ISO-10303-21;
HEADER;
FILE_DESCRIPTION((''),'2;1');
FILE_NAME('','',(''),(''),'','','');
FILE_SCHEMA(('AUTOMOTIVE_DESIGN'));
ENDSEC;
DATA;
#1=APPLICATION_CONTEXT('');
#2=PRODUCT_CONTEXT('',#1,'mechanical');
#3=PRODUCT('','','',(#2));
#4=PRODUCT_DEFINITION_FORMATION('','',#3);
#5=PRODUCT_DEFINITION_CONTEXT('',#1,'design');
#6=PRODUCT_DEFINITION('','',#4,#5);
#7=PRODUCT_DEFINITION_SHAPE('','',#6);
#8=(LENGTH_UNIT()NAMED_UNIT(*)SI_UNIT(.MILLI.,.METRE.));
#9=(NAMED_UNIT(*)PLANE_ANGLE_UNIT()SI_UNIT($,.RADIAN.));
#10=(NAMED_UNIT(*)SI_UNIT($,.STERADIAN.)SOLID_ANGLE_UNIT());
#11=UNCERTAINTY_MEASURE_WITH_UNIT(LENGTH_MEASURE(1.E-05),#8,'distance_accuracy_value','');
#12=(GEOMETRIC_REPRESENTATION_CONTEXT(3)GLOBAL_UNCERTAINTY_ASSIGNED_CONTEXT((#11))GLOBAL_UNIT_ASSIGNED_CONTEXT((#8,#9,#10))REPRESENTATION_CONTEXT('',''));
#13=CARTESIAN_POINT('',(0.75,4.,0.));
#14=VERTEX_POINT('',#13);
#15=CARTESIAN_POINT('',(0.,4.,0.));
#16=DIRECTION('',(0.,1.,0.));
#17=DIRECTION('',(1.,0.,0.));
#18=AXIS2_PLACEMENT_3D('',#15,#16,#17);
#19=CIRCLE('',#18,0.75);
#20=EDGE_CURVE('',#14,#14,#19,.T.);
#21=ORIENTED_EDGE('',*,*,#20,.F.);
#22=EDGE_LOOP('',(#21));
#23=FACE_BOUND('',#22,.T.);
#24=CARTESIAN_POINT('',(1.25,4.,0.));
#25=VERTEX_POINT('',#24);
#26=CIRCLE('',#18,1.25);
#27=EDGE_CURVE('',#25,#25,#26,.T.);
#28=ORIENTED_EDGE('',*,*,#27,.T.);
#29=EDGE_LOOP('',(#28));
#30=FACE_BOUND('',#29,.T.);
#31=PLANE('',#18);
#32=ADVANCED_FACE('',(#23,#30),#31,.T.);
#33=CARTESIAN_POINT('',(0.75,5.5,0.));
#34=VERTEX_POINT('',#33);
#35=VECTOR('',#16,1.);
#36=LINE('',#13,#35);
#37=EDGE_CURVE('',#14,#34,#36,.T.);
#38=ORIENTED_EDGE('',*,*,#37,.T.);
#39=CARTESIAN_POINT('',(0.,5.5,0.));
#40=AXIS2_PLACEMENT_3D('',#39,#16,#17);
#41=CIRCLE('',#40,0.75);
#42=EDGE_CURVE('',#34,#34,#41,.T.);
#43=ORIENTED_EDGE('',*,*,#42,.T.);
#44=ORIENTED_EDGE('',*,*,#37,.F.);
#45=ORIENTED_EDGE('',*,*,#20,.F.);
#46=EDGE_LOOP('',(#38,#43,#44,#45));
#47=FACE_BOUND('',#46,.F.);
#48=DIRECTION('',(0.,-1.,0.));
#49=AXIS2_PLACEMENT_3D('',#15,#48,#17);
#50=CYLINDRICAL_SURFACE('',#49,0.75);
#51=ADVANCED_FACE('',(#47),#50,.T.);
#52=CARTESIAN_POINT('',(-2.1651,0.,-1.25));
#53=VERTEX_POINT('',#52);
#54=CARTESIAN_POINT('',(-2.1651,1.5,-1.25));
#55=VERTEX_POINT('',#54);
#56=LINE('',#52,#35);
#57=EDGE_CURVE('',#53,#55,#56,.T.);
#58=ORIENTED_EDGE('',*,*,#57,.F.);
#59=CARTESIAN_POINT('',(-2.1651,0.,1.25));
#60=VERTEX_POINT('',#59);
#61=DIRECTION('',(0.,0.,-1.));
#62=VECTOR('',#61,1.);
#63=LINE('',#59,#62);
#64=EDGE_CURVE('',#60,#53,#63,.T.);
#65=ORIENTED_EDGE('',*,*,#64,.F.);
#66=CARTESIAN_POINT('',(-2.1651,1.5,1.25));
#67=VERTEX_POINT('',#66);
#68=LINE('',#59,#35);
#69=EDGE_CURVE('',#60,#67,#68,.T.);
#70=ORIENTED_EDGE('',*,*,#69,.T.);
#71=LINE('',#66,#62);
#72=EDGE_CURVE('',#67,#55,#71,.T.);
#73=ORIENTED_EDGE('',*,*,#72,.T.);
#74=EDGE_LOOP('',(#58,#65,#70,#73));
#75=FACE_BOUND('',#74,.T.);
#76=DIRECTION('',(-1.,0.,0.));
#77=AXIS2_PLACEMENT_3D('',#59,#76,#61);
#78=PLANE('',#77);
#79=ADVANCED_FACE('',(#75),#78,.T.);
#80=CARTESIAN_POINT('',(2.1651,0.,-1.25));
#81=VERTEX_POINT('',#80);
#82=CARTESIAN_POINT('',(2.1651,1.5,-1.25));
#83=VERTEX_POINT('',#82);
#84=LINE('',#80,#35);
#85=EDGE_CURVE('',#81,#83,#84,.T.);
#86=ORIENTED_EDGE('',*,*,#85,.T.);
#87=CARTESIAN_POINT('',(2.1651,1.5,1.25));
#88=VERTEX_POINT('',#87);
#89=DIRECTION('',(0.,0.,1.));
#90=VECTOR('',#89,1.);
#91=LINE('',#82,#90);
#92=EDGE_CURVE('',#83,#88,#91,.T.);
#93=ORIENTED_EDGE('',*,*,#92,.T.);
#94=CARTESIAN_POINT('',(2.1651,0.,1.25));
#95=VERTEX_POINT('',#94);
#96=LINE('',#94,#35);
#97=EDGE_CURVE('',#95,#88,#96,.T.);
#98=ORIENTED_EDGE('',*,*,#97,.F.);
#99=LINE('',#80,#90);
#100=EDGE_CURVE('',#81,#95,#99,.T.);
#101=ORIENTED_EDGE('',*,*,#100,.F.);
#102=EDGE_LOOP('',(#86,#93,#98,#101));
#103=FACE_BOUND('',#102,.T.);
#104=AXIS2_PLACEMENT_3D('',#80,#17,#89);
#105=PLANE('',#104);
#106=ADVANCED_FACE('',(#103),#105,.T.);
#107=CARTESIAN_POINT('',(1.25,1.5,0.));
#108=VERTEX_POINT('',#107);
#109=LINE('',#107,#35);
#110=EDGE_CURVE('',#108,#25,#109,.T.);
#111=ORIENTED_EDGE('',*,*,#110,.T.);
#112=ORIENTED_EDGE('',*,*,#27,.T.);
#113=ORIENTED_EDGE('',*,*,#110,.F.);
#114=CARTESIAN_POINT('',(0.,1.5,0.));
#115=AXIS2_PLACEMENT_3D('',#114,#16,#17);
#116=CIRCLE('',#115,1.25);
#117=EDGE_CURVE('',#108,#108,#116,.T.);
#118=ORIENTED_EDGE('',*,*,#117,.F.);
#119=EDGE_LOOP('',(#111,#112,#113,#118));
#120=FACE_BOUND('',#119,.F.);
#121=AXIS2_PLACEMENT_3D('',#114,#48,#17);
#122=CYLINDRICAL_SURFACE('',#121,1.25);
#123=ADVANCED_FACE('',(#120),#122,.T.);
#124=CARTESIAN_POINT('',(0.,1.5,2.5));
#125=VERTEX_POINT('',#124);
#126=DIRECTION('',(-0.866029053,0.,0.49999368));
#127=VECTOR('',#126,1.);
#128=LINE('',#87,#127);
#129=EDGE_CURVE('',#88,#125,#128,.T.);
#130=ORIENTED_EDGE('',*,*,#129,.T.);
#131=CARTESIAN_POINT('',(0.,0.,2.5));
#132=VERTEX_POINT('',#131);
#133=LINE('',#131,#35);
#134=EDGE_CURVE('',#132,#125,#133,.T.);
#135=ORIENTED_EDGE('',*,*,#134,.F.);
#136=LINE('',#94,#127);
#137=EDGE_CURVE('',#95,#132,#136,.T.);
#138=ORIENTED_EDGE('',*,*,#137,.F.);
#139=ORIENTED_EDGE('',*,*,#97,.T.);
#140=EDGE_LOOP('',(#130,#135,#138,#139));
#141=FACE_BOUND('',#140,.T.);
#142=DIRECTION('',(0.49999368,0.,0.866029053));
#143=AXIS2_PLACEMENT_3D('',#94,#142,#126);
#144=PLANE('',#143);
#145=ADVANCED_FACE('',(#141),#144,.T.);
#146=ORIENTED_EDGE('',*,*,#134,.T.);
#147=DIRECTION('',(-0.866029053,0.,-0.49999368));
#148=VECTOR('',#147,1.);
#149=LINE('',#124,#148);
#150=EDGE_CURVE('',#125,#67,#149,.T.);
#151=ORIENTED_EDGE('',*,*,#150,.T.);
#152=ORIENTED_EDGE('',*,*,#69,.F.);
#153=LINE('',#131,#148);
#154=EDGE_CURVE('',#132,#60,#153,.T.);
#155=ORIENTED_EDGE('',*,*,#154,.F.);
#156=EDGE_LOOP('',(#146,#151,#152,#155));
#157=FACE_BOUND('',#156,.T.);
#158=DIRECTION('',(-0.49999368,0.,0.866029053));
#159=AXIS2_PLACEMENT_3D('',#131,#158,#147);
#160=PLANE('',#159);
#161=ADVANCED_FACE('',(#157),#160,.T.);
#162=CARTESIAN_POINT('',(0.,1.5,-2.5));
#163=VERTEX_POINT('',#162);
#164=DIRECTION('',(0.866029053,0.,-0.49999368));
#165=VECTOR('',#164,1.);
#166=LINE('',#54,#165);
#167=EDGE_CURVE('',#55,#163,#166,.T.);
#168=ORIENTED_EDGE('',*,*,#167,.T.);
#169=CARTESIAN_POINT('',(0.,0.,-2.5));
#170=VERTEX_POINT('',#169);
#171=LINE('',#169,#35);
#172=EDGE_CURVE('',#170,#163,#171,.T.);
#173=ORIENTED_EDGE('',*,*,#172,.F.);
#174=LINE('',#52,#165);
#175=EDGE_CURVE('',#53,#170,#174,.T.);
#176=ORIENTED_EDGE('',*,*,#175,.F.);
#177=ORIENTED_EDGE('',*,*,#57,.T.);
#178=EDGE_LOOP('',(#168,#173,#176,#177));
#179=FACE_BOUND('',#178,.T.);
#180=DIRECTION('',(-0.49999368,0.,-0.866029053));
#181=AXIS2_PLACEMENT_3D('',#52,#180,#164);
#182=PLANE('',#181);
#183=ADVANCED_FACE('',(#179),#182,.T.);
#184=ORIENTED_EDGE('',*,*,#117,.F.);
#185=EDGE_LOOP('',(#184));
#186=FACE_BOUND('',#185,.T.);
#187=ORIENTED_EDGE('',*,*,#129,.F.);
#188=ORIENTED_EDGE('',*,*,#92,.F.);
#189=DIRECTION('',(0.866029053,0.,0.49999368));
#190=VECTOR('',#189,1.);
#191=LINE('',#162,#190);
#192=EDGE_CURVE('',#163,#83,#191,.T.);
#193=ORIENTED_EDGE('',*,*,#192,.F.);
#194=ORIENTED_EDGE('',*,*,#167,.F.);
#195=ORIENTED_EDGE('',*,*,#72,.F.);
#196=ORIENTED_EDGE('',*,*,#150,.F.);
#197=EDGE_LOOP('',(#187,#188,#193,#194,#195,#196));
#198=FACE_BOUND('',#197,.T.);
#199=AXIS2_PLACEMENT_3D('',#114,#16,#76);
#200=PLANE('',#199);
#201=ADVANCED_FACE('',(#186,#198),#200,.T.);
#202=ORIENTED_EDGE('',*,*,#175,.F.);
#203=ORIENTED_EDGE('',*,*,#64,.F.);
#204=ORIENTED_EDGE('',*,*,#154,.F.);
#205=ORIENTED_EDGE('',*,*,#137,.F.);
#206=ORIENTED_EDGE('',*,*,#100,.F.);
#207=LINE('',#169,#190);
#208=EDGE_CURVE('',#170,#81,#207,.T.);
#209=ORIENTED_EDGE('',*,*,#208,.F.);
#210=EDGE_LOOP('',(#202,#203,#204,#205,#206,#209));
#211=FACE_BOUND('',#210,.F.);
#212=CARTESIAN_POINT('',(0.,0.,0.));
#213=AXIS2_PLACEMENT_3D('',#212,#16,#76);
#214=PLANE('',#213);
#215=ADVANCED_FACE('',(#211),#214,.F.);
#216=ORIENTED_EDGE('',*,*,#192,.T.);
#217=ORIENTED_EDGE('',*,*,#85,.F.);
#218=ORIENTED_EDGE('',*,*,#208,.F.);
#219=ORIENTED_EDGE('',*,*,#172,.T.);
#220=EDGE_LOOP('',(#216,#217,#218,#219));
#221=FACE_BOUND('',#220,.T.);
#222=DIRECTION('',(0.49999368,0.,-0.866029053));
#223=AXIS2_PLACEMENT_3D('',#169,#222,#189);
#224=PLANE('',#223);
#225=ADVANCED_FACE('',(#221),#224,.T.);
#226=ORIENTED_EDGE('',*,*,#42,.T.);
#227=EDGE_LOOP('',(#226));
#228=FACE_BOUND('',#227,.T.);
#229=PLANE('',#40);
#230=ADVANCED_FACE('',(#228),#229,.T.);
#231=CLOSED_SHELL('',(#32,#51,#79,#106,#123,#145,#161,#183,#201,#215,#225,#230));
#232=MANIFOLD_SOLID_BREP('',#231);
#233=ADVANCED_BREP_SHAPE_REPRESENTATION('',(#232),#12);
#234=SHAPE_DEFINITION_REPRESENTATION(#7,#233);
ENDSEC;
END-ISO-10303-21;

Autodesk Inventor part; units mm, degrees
ref_plane "YZ Plane" through (0, 0, 0) normal (1, 0, 0) x (0, 1, 0)
ref_plane "XZ Plane" through (0, 0, 0) normal (0, 1, 0) x (-1, 0, 0)
ref_plane "XY Plane" through (0, 0, 0) normal (0, 0, 1) x (1, 0, 0)
sketch "Sketch1" plane through (0, 0, 0) normal (0, 1, 0) x (-1, 0, 0)
  line L0 (0, -2.5) -> (-2.1651, -1.25)
  line L1 (-2.1651, -1.25) -> (-2.1651, 1.25)
  line L2 (-2.1651, 1.25) -> (0, 2.5)
  line L3 (0, 2.5) -> (2.1651, 1.25)
  line L4 (2.1651, 1.25) -> (2.1651, -1.25)
  line L5 (2.1651, -1.25) -> (0, -2.5)
  point P0 (0, 0)
  point P1 (0, 0)
  dimension "d0" = 5
extrude "Extrusion1" add sketch "Sketch1" along normal blind 1.5
sketch "Sketch2" plane through (0, 1.5, 0) normal (0, 1, 0) x (1, 0, 0)
  circle A0 centre (0, 0) radius 1.25
  dimension "d3" = 2.5
extrude "Extrusion2" add sketch "Sketch2" along normal blind 2.5
thread "Thread1" size "M2.5x0.45" class "6g" standard "ANSI Metric M Profile" length 2.5
sketch "Sketch3" plane through (0, 4, 0) normal (0, 1, 0) x (1, 0, 0)
  circle A0 centre (0, 0) radius 0.75
  dimension "d10" = 1.5
extrude "Extrusion3" add sketch "Sketch3" along normal blind 1.5
properties material "Steel, Mild"
